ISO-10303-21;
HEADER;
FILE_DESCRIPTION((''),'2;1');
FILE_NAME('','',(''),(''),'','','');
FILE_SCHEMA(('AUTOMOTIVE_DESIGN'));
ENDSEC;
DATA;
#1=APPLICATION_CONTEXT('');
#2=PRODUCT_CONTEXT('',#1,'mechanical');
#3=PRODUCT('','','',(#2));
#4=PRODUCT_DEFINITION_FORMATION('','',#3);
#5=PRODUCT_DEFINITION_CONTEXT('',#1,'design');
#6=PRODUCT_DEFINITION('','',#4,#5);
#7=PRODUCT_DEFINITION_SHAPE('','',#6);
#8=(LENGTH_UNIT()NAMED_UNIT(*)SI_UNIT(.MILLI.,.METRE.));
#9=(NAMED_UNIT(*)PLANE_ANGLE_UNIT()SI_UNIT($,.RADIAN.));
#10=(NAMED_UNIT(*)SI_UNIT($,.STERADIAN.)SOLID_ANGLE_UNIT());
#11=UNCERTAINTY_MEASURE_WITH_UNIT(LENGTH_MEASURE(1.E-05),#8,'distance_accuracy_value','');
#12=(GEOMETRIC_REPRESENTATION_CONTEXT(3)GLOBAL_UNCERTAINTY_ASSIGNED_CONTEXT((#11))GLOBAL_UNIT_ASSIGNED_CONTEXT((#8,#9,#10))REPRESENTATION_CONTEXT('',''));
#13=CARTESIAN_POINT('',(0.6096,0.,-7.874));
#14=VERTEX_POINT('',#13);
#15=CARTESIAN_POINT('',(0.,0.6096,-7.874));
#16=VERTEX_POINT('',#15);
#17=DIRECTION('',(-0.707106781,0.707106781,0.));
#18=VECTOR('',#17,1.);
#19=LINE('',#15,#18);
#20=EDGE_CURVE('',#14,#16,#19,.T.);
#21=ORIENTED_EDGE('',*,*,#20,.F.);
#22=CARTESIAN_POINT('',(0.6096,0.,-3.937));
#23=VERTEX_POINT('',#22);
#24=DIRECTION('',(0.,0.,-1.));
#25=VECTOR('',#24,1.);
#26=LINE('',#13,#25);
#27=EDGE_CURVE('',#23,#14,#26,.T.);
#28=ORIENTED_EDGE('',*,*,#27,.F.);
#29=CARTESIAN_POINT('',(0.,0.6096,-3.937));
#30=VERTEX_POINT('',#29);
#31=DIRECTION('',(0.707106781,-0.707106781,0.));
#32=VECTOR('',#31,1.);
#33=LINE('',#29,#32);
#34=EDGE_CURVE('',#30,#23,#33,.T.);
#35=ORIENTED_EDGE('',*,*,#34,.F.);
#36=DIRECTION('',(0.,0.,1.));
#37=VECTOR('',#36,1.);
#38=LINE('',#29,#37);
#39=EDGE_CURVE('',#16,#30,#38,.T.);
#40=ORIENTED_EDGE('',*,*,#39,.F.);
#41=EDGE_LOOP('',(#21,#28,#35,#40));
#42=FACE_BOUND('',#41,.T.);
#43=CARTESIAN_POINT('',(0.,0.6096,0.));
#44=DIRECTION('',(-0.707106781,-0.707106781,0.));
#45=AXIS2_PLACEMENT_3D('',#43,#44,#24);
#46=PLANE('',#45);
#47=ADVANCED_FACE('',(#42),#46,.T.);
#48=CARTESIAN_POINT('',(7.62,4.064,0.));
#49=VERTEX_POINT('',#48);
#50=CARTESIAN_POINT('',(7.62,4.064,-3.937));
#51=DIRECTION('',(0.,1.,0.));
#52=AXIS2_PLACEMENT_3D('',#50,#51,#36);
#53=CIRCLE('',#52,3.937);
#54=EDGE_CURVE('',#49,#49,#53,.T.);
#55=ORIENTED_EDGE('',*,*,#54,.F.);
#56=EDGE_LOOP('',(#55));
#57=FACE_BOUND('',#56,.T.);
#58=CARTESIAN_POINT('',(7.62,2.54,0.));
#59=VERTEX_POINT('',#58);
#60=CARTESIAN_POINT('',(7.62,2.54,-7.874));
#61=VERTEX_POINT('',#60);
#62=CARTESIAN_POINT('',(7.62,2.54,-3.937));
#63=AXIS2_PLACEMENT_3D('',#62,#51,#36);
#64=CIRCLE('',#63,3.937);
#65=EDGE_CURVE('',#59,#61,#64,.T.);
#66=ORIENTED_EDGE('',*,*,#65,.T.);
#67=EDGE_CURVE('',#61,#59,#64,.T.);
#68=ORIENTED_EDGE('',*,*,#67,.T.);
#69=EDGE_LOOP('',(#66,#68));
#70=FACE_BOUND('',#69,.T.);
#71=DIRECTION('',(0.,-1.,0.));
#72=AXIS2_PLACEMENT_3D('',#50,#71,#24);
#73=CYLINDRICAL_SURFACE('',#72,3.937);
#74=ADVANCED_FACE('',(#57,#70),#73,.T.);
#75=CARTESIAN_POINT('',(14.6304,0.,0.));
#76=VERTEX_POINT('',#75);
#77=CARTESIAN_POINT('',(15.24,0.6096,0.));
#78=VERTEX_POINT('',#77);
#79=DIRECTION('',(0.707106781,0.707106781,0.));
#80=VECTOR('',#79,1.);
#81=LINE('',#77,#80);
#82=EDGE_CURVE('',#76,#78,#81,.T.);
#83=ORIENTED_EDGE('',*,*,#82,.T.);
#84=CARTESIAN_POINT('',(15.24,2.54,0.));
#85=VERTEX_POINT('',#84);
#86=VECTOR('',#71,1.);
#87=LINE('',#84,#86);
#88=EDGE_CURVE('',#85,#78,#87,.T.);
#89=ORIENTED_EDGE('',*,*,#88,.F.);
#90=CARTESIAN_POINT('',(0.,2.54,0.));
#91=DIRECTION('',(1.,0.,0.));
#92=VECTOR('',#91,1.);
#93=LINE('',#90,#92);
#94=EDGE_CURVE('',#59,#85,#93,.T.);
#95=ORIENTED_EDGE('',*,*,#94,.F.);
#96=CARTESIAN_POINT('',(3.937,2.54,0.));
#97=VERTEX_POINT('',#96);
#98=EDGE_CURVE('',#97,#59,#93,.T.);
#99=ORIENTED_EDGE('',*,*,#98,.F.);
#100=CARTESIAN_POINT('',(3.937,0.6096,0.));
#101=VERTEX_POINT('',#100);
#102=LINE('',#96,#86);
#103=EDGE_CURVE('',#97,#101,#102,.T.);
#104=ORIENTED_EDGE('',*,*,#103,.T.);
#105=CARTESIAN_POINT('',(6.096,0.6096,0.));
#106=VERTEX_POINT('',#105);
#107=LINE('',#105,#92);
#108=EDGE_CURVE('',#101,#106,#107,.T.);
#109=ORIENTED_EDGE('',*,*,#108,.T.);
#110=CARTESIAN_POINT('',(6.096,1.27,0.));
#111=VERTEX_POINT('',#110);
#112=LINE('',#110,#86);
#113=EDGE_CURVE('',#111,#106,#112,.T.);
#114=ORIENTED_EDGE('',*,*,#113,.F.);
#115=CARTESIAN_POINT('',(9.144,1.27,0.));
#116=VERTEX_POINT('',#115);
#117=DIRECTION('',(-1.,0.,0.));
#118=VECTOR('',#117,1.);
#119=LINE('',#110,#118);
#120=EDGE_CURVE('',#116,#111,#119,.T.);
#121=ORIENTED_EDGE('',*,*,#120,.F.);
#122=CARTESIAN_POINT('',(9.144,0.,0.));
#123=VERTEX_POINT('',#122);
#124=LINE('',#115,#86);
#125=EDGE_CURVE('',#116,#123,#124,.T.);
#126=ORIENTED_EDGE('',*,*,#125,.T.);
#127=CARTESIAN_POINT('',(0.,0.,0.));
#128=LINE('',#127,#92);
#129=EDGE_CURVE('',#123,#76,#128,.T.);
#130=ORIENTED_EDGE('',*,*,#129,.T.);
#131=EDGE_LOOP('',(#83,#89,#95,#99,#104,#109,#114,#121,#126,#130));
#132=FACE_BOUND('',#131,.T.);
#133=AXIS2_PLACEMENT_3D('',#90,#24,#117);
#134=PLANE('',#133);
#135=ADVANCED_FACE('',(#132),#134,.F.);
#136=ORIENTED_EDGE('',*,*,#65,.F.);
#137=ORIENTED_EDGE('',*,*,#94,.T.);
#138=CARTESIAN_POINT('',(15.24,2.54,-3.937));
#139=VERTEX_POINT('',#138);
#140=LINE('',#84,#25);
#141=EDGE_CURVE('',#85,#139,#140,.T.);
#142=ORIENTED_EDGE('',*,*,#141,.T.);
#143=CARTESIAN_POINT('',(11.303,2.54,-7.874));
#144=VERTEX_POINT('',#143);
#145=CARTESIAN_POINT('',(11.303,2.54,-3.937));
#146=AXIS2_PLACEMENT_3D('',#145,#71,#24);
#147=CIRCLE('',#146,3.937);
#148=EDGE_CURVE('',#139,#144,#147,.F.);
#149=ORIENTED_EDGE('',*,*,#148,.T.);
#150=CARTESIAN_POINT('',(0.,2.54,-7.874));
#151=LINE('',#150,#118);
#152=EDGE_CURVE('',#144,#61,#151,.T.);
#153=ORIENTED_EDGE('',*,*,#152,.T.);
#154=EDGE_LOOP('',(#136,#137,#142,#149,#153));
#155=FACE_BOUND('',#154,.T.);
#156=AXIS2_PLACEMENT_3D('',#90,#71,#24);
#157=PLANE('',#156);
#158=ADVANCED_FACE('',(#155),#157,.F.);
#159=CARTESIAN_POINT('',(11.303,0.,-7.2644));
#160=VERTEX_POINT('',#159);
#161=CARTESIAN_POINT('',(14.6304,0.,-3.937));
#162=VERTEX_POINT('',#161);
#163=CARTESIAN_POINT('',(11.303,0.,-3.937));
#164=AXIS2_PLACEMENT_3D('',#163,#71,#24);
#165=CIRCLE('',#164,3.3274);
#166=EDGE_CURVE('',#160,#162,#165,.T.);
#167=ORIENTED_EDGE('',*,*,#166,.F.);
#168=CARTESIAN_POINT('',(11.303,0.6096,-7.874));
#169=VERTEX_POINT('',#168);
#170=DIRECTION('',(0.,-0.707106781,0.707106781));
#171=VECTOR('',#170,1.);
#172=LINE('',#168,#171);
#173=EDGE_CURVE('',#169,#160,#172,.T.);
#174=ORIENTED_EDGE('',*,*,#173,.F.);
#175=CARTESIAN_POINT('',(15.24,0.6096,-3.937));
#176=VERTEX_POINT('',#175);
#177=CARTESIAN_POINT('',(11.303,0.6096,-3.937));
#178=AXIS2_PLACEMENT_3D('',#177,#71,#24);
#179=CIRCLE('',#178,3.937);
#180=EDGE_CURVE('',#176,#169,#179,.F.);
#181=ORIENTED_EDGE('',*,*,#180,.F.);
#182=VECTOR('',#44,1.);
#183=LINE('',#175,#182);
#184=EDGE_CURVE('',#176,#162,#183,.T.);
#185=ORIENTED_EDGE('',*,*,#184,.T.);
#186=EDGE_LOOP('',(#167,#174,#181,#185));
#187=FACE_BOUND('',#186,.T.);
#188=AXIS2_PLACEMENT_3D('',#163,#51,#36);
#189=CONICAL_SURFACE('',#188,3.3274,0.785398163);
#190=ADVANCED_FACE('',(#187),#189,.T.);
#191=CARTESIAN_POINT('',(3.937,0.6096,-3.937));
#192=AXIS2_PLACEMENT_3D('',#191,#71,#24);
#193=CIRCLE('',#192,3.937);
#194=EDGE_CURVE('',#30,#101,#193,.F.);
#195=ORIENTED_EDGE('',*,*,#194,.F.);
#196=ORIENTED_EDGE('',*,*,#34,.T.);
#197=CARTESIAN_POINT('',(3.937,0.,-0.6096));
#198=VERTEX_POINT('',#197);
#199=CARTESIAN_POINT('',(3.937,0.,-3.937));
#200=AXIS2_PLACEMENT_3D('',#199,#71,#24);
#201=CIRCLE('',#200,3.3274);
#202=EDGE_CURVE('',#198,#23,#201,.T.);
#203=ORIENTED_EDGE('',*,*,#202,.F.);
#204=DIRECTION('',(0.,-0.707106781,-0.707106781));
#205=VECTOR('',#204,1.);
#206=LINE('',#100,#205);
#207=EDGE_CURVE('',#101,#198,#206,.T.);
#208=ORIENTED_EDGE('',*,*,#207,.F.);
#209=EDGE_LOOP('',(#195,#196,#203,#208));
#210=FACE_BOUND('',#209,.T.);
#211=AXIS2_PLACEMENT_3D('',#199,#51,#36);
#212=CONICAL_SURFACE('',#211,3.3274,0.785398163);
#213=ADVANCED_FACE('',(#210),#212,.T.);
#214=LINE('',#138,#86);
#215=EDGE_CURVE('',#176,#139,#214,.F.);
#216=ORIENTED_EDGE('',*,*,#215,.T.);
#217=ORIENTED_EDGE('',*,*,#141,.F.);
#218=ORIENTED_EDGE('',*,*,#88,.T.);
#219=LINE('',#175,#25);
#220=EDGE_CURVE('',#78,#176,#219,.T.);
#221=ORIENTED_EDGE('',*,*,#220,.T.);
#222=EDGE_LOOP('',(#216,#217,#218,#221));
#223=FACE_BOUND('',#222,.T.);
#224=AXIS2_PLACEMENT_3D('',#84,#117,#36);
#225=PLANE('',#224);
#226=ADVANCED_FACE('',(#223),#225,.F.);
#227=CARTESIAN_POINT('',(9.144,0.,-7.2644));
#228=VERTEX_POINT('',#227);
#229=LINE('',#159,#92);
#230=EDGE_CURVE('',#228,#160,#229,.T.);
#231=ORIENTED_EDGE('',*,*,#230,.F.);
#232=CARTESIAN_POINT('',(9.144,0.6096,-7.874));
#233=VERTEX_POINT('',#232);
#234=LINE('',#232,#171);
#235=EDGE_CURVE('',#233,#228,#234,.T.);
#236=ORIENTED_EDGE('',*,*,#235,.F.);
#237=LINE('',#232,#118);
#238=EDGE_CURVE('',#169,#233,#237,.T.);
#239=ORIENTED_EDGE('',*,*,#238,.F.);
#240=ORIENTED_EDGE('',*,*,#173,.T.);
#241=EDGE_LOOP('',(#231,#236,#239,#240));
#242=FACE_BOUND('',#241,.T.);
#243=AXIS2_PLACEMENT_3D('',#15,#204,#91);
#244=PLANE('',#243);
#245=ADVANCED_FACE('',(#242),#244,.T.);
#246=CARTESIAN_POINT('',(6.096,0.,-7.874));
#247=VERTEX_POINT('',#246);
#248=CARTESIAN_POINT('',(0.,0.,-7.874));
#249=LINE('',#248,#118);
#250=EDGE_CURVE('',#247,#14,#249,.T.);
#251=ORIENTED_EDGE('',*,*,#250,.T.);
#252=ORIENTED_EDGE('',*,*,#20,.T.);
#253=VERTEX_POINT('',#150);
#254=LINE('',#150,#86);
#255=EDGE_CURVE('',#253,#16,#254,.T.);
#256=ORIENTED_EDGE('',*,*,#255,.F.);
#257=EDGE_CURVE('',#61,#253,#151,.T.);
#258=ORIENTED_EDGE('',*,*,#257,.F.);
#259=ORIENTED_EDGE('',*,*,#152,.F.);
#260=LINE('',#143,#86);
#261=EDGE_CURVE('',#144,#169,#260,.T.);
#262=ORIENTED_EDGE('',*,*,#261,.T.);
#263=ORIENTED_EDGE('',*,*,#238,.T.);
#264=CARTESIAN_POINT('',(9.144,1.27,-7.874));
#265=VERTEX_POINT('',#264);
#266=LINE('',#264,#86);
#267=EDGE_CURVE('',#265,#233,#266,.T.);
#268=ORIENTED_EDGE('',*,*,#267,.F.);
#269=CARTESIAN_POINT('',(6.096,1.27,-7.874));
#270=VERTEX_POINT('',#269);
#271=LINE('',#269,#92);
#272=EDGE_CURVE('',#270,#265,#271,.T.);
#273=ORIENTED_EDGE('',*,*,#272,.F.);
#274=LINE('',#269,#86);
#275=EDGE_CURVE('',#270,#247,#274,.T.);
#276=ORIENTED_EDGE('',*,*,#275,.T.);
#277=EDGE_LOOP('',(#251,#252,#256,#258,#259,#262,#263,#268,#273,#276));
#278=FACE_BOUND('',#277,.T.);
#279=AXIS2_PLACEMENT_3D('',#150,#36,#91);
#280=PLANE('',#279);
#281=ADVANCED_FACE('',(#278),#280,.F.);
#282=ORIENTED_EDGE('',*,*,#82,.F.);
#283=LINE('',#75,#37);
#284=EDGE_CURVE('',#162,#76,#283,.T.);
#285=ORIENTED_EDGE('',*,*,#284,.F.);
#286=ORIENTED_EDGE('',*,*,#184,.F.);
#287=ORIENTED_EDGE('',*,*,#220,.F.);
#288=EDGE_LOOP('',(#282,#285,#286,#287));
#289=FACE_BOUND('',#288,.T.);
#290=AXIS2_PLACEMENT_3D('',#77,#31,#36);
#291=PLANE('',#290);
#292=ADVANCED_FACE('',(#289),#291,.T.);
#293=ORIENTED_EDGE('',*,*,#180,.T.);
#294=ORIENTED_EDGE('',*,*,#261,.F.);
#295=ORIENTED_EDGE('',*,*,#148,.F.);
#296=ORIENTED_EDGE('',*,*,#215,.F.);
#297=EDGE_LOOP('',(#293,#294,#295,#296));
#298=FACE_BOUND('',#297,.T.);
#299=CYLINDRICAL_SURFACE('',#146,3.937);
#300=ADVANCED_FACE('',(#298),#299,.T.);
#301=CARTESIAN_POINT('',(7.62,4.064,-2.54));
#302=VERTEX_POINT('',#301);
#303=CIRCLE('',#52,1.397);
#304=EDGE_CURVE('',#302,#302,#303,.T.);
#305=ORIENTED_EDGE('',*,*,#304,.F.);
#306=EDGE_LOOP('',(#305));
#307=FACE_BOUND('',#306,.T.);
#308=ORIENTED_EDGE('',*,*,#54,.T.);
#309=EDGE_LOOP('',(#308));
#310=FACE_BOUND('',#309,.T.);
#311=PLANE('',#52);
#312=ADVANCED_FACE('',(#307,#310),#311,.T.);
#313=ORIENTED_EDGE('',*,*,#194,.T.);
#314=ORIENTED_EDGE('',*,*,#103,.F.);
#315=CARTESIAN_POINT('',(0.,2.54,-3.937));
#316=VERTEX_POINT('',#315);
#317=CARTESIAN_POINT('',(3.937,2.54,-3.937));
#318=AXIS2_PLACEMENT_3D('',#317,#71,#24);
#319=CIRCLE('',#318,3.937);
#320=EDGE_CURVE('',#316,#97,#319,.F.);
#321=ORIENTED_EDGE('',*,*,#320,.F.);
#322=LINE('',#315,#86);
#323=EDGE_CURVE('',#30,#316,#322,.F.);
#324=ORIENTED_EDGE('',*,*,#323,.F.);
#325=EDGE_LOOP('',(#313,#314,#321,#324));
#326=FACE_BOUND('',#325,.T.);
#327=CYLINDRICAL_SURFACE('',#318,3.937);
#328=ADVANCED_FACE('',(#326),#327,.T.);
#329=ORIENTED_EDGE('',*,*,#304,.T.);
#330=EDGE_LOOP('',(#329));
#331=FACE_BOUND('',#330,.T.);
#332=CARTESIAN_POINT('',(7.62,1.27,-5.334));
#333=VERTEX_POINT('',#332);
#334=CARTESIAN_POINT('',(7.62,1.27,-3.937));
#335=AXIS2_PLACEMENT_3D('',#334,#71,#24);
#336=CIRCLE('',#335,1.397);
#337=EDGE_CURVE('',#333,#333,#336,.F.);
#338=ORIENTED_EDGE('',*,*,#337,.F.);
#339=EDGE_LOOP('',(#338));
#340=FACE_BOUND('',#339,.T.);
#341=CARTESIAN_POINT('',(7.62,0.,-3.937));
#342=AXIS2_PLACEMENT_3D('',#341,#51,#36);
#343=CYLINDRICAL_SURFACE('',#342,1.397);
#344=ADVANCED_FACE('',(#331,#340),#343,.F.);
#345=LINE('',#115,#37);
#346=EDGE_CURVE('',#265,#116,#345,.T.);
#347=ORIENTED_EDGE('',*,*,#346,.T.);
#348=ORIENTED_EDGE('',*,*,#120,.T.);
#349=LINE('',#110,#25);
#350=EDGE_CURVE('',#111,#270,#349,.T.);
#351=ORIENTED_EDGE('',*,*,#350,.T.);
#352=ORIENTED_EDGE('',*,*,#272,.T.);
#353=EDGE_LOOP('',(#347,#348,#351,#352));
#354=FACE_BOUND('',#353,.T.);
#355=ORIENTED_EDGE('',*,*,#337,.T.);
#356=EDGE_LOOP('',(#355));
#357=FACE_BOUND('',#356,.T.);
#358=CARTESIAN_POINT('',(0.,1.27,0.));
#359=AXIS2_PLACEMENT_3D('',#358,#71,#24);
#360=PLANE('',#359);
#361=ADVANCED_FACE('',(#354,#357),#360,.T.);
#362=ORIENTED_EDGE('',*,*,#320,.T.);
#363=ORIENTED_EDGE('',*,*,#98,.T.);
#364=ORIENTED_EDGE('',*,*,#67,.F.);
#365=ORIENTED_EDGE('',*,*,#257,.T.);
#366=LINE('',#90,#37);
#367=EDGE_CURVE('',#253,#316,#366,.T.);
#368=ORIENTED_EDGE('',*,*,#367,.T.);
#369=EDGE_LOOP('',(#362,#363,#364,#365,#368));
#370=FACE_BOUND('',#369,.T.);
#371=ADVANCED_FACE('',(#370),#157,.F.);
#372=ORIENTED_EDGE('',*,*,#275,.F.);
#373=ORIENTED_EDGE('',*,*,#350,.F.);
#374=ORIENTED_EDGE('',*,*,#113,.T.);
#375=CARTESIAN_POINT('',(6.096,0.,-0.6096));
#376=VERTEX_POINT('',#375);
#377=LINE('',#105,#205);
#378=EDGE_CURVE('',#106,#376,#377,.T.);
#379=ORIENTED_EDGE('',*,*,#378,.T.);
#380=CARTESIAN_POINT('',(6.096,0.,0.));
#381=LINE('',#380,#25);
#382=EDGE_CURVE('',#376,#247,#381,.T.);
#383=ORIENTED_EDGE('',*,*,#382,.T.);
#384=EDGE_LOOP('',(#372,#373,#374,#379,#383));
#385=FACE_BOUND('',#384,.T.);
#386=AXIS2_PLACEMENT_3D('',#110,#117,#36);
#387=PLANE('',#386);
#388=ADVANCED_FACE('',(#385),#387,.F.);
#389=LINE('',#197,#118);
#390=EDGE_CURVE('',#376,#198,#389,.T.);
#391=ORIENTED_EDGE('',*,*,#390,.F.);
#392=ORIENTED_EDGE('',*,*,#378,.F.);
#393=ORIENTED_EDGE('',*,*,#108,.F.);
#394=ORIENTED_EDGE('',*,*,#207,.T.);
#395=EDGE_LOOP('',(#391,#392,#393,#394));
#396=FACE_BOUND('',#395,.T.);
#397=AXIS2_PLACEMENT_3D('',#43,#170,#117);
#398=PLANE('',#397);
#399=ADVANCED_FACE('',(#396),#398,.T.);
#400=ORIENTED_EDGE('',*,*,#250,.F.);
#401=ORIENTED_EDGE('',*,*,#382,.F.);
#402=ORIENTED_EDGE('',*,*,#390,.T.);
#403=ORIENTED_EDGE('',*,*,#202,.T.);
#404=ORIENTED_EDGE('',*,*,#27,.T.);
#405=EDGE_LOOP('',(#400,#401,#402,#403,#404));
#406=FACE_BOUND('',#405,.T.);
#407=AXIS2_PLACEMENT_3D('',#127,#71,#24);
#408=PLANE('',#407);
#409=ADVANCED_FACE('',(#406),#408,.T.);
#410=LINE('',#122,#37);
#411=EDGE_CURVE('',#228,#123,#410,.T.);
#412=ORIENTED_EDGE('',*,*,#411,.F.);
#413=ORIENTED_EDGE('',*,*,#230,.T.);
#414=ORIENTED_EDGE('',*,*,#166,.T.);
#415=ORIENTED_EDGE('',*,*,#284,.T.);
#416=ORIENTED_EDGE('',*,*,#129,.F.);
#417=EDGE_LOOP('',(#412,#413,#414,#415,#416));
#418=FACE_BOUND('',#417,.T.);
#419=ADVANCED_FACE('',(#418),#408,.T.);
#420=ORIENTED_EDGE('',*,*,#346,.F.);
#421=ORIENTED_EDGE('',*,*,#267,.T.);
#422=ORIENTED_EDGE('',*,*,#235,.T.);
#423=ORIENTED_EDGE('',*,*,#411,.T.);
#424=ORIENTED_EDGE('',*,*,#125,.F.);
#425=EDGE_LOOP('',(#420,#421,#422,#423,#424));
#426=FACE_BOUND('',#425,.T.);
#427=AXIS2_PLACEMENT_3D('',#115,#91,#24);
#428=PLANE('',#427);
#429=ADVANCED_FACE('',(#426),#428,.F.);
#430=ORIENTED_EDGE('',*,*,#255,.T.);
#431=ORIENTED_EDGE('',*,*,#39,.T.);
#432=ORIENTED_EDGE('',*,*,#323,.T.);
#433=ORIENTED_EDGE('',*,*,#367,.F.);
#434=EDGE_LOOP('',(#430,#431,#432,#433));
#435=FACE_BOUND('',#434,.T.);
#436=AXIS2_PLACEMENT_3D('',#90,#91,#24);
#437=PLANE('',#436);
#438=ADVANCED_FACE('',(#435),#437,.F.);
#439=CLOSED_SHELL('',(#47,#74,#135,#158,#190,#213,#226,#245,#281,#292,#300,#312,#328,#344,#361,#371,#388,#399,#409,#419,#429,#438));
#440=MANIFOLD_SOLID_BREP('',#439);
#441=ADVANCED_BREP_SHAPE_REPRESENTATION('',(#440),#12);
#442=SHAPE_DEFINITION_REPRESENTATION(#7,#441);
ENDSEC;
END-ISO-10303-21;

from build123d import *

# Parameters (mm, degrees)
SKETCH1_W           = 15.24
SKETCH1_H           = 7.874
BOSS_EXTRUDE1_DEPTH = 2.54
SKETCH2_R           = 3.937
BOSS_EXTRUDE2_DEPTH = 1.524
SKETCH3_R           = 1.397
CUT_EXTRUDE1_DEPTH  = 18.628771143
FILLET1_R           = 3.937
SKETCH4_W           = 3.048
SKETCH4_H           = 7.874
CUT_EXTRUDE2_DEPTH  = 1.27
CHAMFER1_SIZE       = 0.6096


with BuildPart() as part:
    # Sketch1 → Boss-Extrude1 (new body)
    with BuildSketch(Plane(origin=(0, 0, 0), x_dir=(1, 0, 0), z_dir=(0, 1, 0))):
        with Locations((7.62, 3.937)):
            Rectangle(SKETCH1_W, SKETCH1_H)
    extrude(amount=BOSS_EXTRUDE1_DEPTH)

    # Sketch2 → Boss-Extrude2 (add)
    with BuildSketch(Plane(origin=(0, 2.54, 0), x_dir=(1, 0, 0), z_dir=(0, 1, 0))):
        with Locations(Location((7.62, 3.937, 0), (0, 0, 270))):
            Circle(SKETCH2_R)
    extrude(amount=BOSS_EXTRUDE2_DEPTH)

    # Sketch3 → Cut-Extrude1 (cut, through all)
    with BuildSketch(Plane(origin=(0, 4.064, 0), x_dir=(1, 0, 0), z_dir=(0, 1, 0))):
        with Locations(Location((7.62, 3.937, 0), (0, 0, 270))):
            Circle(SKETCH3_R)
    extrude(amount=-CUT_EXTRUDE1_DEPTH, mode=Mode.SUBTRACT)

    # Fillet1
    fillet1_edges = [part.edges().sort_by_distance(p)[0] for p in [
        (15.24, 1.27, -7.874),
        (0, 1.27, 0),
    ]]
    fillet(fillet1_edges, radius=FILLET1_R)

    # Sketch4 → Cut-Extrude2 (cut)
    with BuildSketch(Plane.XZ):
        with Locations((7.62, -3.937)):
            Rectangle(SKETCH4_W, SKETCH4_H)
    extrude(amount=-CUT_EXTRUDE2_DEPTH, mode=Mode.SUBTRACT)

    # Chamfer1
    chamfer1_edges = [part.edges().sort_by_distance(p)[0] for p in [
        (10.2235, 0, -7.874),
        (14.086879398, 0, -6.720879398),
        (15.24, 0, -1.9685),
        (5.0165, 0, 0),
        (1.153120602, 0, -1.153120602),
        (0, 0, -5.9055),
    ]]
    chamfer(chamfer1_edges, length=CHAMFER1_SIZE)


solid = part.part
